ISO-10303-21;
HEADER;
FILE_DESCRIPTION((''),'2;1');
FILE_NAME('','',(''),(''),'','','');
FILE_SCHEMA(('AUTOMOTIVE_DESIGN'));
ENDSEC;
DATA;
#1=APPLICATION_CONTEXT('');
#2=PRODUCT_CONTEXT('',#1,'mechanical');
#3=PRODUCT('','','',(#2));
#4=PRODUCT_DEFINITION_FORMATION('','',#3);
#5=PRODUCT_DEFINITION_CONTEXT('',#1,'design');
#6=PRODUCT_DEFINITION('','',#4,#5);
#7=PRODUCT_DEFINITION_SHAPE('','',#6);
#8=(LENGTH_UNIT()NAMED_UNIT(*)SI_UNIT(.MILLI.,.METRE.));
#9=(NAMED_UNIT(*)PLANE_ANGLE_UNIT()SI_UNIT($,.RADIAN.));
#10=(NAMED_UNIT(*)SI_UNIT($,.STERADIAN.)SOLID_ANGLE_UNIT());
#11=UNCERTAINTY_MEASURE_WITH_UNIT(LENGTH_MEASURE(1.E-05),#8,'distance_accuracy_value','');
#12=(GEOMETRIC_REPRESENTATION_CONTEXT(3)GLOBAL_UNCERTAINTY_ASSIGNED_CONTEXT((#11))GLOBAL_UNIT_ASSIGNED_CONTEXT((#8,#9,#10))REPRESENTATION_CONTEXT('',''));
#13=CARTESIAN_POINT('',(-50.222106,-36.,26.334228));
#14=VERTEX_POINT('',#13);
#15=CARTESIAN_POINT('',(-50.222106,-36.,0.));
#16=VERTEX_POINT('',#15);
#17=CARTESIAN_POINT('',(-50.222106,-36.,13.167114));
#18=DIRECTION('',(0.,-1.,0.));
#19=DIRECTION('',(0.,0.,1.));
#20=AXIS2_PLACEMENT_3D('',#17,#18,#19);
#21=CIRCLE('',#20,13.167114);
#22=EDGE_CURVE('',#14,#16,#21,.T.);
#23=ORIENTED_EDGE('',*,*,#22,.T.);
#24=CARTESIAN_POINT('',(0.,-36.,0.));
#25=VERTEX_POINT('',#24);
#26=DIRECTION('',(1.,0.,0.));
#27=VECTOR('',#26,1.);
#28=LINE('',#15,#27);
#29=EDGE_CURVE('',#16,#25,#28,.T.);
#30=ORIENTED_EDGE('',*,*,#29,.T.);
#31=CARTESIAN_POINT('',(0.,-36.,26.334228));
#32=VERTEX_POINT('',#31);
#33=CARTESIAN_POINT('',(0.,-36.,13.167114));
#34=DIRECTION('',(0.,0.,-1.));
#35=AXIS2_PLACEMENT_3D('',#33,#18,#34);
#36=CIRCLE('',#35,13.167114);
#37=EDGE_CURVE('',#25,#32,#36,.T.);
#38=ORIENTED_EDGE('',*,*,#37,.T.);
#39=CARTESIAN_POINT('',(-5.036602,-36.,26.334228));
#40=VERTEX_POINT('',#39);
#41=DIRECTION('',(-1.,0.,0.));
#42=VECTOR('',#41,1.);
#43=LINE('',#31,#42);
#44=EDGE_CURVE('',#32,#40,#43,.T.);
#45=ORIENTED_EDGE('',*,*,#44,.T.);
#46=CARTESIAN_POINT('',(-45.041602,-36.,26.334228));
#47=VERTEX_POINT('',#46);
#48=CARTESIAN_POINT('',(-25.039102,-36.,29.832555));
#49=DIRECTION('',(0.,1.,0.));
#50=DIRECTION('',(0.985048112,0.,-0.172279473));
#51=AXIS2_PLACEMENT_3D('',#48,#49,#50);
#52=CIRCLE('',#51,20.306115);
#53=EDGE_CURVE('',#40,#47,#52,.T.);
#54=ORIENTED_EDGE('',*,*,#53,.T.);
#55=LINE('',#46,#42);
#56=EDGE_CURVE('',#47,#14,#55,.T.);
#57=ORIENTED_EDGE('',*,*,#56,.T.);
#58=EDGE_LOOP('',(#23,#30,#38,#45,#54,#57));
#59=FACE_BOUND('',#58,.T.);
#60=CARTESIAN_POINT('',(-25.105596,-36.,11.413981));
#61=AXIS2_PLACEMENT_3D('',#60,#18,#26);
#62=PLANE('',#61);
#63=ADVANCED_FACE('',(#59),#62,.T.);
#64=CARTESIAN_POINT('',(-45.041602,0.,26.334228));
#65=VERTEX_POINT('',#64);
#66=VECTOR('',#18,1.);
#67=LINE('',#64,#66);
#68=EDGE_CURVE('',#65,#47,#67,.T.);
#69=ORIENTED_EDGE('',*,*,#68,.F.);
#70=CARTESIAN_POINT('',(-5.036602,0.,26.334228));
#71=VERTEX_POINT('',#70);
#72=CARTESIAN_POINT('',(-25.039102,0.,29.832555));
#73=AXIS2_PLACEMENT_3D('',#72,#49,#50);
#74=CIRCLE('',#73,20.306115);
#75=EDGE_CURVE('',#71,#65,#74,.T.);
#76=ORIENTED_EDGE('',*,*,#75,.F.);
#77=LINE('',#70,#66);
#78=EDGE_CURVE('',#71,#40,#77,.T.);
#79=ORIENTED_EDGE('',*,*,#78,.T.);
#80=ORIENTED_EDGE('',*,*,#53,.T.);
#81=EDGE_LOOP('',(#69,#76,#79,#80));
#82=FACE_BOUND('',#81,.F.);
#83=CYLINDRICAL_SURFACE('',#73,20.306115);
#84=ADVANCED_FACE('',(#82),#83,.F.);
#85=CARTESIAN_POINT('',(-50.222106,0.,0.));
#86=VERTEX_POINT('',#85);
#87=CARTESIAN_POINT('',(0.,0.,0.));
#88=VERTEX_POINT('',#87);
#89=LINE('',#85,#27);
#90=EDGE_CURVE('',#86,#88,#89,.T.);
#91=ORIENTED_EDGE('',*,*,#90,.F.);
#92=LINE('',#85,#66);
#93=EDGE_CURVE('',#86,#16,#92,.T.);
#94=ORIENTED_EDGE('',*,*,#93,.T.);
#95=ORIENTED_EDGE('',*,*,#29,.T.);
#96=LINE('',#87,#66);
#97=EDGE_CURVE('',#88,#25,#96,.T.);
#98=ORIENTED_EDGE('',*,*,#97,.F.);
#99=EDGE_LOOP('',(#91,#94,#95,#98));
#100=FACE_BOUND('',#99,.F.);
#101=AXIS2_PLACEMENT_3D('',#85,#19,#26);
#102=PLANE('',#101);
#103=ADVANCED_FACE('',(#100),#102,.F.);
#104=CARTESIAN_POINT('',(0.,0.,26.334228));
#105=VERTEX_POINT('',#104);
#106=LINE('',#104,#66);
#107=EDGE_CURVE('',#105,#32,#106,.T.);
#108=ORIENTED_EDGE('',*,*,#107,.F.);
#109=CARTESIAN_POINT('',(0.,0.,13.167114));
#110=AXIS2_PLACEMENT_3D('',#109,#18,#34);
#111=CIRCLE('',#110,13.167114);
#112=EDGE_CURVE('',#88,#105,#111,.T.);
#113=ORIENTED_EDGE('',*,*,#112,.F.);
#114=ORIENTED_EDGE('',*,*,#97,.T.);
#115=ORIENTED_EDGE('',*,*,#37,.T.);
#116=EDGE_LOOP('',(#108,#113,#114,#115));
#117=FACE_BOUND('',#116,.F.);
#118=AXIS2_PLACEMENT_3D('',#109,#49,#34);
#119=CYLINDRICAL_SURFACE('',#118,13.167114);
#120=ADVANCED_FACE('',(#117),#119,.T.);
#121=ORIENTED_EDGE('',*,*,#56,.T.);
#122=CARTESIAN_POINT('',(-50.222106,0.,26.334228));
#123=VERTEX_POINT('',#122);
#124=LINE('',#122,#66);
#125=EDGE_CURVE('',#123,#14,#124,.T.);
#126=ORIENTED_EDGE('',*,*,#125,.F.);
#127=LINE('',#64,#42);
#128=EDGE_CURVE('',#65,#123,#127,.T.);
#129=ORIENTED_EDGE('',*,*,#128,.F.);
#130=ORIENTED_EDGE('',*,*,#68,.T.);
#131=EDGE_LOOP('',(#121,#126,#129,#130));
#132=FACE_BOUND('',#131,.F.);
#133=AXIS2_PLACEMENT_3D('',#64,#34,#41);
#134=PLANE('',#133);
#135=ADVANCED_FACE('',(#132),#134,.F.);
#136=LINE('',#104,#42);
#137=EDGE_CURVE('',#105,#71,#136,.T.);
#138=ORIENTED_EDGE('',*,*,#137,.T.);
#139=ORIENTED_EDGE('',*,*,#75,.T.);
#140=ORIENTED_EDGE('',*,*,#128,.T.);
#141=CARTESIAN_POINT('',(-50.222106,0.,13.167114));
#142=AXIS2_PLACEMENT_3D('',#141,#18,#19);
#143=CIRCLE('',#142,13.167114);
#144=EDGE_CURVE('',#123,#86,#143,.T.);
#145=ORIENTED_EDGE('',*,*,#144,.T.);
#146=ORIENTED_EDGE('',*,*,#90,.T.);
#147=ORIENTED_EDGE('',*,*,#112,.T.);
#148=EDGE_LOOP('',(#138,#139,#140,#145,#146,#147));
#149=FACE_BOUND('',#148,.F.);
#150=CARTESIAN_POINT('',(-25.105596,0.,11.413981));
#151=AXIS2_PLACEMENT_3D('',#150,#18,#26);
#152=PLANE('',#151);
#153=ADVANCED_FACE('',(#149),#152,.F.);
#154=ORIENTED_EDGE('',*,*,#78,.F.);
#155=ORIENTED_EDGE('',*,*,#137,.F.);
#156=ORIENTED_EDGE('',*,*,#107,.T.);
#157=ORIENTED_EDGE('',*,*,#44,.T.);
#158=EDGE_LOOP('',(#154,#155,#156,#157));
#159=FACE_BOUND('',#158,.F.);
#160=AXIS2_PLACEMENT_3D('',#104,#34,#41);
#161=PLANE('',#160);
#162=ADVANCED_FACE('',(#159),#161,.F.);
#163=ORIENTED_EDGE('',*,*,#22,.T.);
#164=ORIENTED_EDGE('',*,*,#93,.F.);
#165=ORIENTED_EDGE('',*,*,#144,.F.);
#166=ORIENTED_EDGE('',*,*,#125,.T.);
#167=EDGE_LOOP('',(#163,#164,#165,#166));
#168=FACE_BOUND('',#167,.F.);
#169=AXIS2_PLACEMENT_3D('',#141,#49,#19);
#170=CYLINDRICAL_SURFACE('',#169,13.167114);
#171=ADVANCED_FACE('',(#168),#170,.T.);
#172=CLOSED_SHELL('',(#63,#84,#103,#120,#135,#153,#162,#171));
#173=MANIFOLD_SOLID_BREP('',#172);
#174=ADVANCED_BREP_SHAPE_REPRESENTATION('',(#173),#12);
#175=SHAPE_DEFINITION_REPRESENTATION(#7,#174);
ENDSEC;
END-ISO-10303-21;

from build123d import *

# Parameters (mm, degrees)
F1_DEPTH = 36


with BuildPart() as f1:
    # F0 (on Front) → F1 (new body)
    with BuildSketch(Plane.XZ):
        with BuildLine():
            Line((-50.222106, 0), (0, 0))
            ThreePointArc((0, 0), (13.167114, 13.167114), (0, 26.334228))
            Line((0, 26.334228), (-5.036602, 26.334228))
            ThreePointArc((-5.036602, 26.334228), (-25.039102, 9.52644), (-45.041602, 26.334228))
            Line((-45.041602, 26.334228), (-50.222106, 26.334228))
            ThreePointArc((-50.222106, 26.334228), (-63.38922, 13.167114), (-50.222106, 0))
        make_face()
    extrude(amount=F1_DEPTH)


solid = f1.part
